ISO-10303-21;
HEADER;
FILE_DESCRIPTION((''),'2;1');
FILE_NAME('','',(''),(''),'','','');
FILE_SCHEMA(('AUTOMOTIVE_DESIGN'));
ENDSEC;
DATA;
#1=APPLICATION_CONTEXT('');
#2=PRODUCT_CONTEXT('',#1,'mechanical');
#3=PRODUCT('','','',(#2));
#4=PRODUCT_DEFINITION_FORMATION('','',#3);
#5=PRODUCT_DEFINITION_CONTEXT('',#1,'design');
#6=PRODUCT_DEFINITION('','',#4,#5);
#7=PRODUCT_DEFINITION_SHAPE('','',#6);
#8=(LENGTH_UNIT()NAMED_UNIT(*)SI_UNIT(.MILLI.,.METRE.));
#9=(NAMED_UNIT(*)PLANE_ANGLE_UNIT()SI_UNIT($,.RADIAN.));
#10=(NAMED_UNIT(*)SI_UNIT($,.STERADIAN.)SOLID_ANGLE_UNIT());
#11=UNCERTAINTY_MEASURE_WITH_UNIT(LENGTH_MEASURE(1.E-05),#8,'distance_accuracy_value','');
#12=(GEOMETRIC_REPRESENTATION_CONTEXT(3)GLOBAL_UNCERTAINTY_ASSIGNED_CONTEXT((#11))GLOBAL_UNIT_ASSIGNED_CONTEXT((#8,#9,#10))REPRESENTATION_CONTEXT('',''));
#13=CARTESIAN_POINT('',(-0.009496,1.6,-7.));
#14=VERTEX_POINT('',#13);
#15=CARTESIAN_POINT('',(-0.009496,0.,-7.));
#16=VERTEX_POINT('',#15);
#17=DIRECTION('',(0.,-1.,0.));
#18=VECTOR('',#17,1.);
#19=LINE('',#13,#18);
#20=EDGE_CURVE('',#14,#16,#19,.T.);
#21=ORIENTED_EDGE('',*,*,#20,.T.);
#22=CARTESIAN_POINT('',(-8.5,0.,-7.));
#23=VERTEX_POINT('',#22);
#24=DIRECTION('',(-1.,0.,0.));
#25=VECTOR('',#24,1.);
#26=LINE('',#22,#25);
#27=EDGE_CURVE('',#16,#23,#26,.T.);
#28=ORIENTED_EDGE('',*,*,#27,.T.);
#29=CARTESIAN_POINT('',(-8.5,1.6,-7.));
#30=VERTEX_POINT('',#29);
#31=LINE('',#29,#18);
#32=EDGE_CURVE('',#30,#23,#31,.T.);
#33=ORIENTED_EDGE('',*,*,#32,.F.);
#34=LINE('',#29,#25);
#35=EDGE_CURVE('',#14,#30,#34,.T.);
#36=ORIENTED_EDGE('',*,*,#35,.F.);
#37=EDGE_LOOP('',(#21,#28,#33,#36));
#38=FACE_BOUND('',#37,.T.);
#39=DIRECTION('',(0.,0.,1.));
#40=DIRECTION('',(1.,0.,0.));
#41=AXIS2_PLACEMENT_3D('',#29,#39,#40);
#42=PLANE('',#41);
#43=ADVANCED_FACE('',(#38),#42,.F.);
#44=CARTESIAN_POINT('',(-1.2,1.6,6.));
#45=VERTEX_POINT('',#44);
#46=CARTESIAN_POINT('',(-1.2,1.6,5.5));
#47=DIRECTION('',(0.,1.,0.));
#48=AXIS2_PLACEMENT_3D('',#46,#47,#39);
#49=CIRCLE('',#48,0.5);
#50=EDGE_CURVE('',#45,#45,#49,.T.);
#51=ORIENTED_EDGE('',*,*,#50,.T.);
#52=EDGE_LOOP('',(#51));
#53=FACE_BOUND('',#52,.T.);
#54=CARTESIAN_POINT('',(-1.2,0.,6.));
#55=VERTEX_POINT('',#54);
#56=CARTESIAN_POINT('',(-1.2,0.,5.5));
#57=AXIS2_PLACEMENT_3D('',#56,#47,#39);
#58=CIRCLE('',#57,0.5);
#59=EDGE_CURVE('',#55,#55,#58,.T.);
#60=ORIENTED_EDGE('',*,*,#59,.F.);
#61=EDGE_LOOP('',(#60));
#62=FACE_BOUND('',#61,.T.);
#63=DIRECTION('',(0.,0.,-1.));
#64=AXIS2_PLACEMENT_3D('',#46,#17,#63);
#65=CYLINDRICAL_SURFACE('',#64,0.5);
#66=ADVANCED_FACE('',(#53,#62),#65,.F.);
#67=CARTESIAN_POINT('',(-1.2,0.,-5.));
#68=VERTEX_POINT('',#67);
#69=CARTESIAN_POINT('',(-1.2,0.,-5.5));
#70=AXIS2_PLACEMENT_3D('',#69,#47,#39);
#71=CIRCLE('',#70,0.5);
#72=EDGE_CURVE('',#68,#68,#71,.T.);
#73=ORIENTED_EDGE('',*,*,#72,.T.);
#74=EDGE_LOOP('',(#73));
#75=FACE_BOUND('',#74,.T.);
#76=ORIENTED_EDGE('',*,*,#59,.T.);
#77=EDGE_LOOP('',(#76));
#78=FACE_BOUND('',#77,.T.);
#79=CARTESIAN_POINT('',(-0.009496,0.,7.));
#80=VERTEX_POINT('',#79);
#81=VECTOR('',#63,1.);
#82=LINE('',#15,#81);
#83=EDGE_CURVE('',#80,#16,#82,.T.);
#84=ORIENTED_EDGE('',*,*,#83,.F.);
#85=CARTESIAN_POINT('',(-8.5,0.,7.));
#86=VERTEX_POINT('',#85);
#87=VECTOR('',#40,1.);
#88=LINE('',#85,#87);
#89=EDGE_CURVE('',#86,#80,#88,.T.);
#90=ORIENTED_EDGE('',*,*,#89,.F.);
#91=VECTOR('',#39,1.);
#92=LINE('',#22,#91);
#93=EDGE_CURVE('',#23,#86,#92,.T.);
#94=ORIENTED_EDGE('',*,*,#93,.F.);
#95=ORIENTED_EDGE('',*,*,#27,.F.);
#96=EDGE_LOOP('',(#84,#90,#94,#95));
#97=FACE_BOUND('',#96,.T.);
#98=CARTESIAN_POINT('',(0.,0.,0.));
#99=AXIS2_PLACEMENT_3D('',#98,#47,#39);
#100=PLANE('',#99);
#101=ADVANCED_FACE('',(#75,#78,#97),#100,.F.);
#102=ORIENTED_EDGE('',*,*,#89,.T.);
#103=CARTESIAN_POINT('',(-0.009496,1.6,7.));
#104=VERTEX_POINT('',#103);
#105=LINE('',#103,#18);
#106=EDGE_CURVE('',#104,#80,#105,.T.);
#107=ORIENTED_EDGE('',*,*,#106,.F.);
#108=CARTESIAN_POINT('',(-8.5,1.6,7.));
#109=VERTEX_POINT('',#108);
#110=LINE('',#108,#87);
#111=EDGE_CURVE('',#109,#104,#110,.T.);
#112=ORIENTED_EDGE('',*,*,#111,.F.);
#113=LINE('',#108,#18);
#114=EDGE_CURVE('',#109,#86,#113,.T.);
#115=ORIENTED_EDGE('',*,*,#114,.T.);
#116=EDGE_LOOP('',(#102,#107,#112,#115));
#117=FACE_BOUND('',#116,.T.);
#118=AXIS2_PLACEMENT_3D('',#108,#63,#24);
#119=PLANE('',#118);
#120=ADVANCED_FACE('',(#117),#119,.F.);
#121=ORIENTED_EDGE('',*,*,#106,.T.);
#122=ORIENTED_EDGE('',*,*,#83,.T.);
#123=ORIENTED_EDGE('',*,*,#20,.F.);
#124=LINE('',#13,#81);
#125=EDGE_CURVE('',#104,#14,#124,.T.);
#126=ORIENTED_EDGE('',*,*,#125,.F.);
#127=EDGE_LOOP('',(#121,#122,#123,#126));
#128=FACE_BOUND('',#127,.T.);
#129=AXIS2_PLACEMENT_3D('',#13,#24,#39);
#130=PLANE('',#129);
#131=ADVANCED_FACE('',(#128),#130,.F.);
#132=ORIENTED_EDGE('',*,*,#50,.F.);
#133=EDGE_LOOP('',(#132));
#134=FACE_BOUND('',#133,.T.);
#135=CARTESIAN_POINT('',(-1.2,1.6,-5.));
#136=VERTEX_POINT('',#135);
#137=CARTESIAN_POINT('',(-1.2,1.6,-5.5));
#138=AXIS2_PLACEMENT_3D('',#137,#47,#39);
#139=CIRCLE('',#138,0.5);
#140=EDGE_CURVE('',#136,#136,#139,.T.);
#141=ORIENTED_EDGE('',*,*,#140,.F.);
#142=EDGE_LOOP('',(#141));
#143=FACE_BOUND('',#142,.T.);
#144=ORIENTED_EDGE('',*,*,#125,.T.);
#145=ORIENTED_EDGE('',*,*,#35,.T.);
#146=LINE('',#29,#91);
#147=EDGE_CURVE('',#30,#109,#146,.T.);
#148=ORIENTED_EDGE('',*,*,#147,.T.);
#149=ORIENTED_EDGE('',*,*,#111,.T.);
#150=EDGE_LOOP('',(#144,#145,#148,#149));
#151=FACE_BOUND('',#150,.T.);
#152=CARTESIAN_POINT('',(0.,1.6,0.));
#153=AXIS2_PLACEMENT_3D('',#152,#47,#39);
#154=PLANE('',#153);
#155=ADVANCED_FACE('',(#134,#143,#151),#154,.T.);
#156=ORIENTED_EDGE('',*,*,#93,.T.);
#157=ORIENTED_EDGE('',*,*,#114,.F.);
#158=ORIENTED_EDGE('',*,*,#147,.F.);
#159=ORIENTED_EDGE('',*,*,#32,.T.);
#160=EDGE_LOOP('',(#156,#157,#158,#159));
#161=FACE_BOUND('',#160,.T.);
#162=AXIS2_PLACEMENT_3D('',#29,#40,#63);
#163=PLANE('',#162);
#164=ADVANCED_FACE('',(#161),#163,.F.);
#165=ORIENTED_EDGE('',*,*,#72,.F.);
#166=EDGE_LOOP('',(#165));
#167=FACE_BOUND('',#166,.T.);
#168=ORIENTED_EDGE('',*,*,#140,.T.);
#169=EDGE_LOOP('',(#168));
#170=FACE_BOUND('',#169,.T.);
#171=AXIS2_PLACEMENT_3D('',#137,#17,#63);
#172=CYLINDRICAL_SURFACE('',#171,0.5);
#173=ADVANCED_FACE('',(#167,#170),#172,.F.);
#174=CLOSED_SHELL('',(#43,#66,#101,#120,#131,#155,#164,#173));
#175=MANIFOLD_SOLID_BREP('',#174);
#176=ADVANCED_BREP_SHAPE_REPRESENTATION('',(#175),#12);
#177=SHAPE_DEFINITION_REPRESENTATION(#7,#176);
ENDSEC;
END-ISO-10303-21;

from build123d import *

# Parameters (mm, degrees)
SKETCH_1_W      = 8.490503901
SKETCH_1_H      = 14
SKETCH_1_R      = 0.5
EXTRUDE_1_DEPTH = 1.6


with BuildPart() as part:
    # Эскиз1 → Бобышка-Вытянуть1 (new body)
    with BuildSketch(Plane(origin=(0, 0, 0), x_dir=(1, 0, 0), z_dir=(0, 1, 0))):
        with Locations((-4.254748049, 0)):
            Rectangle(SKETCH_1_W, SKETCH_1_H)
        with Locations(Location((-1.2, 5.5, 0), (0, 0, 270))):
            Circle(SKETCH_1_R, mode=Mode.SUBTRACT)
        with Locations(Location((-1.2, -5.5, 0), (0, 0, 270))):
            Circle(SKETCH_1_R, mode=Mode.SUBTRACT)
    extrude(amount=EXTRUDE_1_DEPTH)


solid = part.part
